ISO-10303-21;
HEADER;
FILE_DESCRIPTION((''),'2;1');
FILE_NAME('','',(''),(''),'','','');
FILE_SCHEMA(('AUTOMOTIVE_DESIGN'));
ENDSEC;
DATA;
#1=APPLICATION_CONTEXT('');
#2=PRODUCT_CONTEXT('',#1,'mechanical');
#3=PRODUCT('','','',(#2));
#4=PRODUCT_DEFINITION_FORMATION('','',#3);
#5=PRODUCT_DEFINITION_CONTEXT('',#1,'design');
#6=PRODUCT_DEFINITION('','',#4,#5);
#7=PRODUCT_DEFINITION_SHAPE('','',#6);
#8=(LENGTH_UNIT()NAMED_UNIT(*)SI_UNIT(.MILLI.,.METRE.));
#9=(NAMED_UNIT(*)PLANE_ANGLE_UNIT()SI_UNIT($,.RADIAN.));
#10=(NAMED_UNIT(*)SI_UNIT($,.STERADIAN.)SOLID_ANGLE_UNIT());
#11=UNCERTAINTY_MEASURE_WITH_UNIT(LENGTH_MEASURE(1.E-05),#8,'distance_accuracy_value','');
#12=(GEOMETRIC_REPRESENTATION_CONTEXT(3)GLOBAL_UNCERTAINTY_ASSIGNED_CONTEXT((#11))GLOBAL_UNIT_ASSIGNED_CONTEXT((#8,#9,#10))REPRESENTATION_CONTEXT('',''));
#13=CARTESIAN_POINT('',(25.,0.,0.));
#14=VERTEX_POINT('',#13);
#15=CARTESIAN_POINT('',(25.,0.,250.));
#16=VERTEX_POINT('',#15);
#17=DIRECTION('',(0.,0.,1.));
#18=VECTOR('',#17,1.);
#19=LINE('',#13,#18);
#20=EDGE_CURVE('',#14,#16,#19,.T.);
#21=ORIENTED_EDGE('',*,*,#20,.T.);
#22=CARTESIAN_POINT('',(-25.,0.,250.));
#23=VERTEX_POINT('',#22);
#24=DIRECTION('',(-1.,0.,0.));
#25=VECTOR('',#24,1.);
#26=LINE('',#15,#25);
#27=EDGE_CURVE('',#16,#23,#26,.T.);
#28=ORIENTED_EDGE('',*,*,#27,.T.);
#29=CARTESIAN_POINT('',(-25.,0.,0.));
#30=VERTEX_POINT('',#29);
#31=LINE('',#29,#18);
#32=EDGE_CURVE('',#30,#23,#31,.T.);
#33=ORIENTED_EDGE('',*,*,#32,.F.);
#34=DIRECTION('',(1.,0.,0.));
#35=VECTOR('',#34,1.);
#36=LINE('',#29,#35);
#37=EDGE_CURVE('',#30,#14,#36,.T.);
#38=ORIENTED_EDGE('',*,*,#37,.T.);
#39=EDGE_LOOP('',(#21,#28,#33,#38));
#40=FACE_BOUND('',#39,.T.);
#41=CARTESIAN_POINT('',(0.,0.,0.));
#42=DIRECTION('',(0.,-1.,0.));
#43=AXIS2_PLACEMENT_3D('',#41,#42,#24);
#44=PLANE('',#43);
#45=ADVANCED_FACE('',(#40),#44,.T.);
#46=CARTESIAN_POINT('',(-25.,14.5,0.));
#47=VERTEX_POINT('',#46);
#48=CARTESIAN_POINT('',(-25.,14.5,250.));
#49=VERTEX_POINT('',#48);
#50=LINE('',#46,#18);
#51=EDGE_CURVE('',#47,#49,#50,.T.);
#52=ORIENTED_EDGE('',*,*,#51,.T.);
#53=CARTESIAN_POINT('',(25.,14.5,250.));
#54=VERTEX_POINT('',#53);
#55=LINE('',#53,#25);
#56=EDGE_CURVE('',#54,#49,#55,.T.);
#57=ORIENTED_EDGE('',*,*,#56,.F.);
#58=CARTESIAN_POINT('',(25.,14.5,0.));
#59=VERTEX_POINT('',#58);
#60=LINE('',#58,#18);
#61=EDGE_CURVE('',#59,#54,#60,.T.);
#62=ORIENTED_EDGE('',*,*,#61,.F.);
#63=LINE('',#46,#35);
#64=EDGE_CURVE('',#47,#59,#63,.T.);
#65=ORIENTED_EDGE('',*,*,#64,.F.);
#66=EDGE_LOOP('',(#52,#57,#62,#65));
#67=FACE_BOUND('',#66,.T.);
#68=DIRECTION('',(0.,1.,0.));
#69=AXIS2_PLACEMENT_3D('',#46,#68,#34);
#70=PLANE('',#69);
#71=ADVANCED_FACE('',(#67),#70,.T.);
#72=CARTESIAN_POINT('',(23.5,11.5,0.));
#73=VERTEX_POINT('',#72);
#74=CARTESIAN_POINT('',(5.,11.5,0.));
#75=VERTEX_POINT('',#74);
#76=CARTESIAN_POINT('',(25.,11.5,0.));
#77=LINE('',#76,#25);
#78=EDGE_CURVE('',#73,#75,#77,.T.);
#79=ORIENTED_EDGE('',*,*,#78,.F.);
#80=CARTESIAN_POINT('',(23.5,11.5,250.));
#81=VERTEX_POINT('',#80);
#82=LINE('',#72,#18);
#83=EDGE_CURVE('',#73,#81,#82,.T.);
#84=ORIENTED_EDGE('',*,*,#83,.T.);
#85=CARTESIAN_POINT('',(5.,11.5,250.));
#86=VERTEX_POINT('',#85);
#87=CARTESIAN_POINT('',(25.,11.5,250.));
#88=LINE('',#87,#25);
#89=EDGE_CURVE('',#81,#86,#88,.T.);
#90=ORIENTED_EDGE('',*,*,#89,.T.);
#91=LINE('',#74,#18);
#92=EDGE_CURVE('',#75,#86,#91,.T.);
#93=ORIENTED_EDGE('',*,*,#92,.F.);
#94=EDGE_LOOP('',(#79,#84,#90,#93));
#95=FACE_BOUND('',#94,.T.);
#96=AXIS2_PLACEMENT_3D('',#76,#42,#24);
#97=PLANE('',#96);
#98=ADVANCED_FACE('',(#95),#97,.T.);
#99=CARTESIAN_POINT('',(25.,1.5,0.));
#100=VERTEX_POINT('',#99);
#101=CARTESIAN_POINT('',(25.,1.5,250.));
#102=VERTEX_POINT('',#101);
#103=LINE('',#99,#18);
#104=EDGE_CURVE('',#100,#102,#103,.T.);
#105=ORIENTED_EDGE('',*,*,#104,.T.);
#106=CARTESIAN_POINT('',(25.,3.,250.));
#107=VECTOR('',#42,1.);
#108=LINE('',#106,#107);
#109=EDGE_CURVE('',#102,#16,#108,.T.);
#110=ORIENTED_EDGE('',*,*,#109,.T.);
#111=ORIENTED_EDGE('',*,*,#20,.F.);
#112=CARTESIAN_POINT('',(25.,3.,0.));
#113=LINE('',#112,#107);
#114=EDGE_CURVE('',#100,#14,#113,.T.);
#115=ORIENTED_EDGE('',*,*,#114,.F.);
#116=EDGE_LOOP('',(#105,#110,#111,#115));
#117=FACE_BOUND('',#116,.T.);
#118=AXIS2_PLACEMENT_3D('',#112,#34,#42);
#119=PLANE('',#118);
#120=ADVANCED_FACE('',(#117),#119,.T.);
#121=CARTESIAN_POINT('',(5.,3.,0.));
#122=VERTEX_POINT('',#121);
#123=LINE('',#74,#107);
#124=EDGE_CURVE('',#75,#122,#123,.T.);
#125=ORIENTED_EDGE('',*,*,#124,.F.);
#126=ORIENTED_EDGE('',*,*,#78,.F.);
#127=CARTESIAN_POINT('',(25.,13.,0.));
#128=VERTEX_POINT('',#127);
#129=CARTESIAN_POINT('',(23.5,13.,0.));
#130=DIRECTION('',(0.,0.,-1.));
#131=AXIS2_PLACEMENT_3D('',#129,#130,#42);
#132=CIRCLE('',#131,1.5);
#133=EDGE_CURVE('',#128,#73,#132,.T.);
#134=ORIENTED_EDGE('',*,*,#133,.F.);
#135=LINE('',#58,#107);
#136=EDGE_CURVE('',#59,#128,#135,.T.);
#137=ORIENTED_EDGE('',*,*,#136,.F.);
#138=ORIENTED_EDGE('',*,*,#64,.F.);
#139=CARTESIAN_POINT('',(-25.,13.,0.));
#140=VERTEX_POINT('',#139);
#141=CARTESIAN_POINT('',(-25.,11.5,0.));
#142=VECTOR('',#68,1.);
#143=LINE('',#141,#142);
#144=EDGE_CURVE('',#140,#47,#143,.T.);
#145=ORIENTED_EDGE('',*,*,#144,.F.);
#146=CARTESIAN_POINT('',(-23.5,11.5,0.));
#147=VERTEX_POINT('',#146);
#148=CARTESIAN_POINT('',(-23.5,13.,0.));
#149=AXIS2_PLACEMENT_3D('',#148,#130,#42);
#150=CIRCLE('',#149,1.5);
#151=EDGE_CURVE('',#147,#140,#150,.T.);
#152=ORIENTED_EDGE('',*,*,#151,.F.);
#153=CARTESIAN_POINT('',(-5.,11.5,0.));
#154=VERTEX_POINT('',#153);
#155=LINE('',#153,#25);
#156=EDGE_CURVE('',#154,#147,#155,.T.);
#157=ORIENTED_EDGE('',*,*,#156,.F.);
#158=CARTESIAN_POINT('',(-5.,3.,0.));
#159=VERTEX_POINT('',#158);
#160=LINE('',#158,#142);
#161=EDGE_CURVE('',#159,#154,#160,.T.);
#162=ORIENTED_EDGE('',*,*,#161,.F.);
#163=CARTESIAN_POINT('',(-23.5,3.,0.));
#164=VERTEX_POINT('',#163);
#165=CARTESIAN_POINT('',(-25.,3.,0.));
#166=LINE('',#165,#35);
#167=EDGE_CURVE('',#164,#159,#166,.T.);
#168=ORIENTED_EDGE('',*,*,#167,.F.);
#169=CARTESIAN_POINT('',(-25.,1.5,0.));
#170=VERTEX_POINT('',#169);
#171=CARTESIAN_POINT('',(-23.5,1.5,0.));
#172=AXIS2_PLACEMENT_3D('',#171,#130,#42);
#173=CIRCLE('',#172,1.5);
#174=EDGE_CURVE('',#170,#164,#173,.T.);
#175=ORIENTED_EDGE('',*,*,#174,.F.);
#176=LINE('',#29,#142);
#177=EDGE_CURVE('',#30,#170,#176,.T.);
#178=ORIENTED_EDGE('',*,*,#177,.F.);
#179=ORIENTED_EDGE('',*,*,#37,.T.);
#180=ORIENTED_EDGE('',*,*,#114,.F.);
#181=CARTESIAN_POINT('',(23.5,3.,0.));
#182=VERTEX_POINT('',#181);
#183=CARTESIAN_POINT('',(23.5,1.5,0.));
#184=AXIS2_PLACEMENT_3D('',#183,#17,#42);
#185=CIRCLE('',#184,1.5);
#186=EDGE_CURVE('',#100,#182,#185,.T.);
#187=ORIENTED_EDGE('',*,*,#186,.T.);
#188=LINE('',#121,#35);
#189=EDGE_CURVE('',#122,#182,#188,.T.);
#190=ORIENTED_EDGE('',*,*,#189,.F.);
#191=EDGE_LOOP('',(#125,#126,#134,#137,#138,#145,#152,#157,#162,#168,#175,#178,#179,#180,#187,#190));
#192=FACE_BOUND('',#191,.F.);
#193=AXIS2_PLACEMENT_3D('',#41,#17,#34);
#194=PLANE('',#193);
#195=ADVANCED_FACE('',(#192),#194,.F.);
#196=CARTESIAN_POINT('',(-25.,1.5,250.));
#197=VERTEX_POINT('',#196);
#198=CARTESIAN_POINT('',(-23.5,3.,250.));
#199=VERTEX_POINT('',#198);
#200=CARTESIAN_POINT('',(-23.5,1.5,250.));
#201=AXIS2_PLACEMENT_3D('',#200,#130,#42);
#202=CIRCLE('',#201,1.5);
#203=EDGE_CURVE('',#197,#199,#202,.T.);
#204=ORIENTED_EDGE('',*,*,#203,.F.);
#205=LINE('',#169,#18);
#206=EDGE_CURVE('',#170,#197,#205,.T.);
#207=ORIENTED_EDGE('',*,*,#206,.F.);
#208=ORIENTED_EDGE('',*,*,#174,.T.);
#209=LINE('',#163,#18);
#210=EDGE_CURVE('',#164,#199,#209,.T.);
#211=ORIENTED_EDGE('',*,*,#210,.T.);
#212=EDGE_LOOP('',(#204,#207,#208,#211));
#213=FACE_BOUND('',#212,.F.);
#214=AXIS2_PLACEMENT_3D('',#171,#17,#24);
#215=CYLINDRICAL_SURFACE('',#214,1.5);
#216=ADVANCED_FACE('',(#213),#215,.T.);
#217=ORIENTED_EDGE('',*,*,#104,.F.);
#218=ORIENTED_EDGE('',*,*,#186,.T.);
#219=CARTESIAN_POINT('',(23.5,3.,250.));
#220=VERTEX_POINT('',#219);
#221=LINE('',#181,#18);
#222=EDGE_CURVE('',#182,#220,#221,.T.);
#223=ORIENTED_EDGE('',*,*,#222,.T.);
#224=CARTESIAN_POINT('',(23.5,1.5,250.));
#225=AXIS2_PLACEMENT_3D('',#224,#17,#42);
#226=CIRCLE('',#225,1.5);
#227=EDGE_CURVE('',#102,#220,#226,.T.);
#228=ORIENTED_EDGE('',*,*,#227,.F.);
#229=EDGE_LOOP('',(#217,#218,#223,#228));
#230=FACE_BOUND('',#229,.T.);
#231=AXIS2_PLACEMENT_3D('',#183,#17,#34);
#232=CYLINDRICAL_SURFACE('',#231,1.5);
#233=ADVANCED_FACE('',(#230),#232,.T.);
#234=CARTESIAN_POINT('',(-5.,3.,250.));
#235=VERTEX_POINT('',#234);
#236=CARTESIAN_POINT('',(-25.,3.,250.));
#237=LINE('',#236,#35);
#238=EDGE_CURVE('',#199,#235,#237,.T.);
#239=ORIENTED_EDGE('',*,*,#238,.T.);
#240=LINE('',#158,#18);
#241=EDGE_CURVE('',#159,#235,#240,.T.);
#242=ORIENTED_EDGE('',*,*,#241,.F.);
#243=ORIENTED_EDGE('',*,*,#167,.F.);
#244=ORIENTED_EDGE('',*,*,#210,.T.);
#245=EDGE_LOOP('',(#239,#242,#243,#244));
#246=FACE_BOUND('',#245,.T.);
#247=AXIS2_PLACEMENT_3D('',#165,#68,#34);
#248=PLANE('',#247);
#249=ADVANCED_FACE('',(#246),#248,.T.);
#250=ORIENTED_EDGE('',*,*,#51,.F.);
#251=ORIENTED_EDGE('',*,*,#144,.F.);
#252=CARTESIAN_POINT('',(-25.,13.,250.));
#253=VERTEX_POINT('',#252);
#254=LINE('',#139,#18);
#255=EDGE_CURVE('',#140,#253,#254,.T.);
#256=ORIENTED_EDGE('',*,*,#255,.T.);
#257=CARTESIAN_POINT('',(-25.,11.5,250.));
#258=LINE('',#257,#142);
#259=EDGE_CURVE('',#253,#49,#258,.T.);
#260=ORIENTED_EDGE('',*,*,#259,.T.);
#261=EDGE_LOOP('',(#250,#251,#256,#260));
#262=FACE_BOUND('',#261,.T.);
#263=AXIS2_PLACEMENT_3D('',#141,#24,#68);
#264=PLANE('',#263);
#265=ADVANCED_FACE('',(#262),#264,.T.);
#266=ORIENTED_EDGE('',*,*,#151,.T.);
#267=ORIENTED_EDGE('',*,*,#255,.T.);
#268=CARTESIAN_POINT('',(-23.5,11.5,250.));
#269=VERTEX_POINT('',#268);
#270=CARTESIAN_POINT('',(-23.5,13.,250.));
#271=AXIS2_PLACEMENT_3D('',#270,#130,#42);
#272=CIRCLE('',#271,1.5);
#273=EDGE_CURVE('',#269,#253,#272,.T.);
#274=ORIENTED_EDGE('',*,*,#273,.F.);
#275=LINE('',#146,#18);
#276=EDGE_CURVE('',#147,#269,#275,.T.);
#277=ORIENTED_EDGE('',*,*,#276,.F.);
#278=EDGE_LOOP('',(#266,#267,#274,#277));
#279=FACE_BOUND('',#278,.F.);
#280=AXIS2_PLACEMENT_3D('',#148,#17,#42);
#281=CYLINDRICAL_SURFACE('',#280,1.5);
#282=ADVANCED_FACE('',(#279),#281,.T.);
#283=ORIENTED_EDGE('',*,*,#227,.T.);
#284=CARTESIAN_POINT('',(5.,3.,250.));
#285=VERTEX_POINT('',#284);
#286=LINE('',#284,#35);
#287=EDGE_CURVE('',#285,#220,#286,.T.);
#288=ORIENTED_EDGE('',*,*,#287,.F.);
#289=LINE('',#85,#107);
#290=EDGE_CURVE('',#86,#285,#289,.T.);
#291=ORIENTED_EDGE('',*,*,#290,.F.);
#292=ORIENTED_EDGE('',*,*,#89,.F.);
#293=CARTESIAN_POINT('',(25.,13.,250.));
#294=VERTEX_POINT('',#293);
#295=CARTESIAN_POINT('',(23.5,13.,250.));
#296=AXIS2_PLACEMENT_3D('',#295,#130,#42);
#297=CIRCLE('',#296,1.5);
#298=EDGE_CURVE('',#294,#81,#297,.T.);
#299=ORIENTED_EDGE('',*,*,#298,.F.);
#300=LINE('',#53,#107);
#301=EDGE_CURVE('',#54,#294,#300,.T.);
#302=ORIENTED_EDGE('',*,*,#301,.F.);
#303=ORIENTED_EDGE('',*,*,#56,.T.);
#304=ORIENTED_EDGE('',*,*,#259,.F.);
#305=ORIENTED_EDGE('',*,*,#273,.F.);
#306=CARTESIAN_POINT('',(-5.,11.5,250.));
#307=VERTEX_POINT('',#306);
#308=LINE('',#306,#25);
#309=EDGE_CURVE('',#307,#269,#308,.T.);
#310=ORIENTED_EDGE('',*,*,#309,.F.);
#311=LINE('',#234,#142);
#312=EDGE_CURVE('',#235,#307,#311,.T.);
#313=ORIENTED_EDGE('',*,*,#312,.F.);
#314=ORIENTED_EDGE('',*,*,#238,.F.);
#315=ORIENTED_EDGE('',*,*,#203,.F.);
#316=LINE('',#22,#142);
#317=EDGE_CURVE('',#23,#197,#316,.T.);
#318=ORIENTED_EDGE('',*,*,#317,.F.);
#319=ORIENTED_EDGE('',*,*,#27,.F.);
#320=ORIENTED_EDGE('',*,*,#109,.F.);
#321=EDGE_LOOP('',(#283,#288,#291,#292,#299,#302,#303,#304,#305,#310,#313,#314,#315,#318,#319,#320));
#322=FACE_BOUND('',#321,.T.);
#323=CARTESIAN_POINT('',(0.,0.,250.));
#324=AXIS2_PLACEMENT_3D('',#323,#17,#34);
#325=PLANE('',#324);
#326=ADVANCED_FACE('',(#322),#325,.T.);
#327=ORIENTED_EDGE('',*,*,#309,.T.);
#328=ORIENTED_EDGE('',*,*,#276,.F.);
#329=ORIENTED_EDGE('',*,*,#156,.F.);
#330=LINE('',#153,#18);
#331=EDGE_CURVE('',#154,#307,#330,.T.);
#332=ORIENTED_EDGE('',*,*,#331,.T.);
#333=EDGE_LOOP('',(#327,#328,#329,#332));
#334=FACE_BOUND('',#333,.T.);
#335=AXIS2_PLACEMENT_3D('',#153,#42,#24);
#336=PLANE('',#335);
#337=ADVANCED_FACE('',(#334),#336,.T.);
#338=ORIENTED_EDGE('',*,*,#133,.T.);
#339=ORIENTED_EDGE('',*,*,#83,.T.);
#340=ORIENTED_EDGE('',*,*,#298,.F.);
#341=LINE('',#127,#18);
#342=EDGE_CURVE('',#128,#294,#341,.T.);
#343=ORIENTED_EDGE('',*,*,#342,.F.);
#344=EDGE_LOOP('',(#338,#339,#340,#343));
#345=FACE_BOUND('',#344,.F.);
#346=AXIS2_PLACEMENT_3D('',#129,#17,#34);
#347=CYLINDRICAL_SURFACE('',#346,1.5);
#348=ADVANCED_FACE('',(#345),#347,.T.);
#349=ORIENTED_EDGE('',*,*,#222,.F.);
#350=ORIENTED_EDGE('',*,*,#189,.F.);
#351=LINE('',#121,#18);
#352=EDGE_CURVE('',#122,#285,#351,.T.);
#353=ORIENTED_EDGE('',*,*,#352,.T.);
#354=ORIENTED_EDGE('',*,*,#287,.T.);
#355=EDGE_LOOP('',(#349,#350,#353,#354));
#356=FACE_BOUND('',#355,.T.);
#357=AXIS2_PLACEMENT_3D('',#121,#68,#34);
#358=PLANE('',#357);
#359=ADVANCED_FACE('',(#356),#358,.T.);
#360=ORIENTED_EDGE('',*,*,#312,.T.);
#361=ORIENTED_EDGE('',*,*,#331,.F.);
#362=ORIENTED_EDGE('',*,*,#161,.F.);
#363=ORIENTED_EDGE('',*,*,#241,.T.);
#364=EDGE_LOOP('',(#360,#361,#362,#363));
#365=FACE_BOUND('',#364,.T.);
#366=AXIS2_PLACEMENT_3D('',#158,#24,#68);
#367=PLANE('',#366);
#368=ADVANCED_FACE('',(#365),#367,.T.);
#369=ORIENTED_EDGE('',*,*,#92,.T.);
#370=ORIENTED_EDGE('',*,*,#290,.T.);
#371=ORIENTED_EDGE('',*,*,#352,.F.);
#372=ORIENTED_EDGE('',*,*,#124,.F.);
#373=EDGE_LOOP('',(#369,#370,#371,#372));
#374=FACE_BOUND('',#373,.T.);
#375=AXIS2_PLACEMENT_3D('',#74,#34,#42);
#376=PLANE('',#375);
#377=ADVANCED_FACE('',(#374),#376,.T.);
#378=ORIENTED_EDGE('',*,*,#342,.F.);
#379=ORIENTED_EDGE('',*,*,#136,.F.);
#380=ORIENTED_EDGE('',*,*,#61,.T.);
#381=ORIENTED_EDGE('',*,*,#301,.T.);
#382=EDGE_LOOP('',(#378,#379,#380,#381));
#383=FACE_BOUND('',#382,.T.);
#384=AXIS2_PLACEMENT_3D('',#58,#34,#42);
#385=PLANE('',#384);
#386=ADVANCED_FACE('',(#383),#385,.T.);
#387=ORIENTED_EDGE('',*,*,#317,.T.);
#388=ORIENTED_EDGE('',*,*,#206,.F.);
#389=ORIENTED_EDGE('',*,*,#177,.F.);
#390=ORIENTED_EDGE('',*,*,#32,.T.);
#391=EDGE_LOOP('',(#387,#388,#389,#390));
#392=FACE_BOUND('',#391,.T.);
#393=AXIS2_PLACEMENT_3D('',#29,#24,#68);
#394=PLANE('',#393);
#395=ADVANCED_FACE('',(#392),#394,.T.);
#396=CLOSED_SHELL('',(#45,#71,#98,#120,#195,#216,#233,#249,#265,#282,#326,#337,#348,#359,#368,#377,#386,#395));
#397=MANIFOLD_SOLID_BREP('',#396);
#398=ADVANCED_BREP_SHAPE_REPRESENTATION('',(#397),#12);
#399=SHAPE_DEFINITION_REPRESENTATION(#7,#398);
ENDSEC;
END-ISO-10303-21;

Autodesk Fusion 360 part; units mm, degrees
sketch "Schizzo1" plane through (0, 0, 0) normal (0, 0, 1) x (1, 0, 0)
  line L0 (0, 0) -> (-25, 0)
  line L1 (-25, 0) -> (-25, 3)
  line L2 (-25, 3) -> (-5, 3)
  line L3 (-5, 3) -> (-5, 11.5)
  line L4 (-5, 11.5) -> (-25, 11.5)
  line L5 (-25, 11.5) -> (-25, 14.5)
  line L6 (-25, 14.5) -> (0, 14.5)
  line L7 (0, 14.5) -> (0, 0)
  line L8 (0, 14.5) -> (25, 14.5)
  line L9 (5, 11.5) -> (5, 3)
  line L10 (0, 0) -> (0, 14.5)
  line L11 (25, 0) -> (0, 0)
  line L12 (5, 3) -> (25, 3)
  line L13 (25, 14.5) -> (25, 11.5)
  line L14 (25, 3) -> (25, 0)
  line L15 (25, 11.5) -> (5, 11.5)
  point P0 (0, 14.5)
  dimension "d2" = 8.5
  dimension "d3" = 3
  dimension "d4" = 3
  dimension "d5" = 25
  dimension "d6" = 25
  dimension "d7" = 20
  dimension "d8" = 8.5
  dimension "d9" = 3
  dimension "d10" = 3
  dimension "d11" = 25
  dimension "d12" = 25
  dimension "d13" = 20
extrude "Estrusione1" add sketch "Schizzo1" along normal blind 250
fillet "Raccordo2" radius 1.5 4 edges at (-25, 11.5, 125) (-25, 3, 125) (25, 3, 125) (25, 11.5, 125)
